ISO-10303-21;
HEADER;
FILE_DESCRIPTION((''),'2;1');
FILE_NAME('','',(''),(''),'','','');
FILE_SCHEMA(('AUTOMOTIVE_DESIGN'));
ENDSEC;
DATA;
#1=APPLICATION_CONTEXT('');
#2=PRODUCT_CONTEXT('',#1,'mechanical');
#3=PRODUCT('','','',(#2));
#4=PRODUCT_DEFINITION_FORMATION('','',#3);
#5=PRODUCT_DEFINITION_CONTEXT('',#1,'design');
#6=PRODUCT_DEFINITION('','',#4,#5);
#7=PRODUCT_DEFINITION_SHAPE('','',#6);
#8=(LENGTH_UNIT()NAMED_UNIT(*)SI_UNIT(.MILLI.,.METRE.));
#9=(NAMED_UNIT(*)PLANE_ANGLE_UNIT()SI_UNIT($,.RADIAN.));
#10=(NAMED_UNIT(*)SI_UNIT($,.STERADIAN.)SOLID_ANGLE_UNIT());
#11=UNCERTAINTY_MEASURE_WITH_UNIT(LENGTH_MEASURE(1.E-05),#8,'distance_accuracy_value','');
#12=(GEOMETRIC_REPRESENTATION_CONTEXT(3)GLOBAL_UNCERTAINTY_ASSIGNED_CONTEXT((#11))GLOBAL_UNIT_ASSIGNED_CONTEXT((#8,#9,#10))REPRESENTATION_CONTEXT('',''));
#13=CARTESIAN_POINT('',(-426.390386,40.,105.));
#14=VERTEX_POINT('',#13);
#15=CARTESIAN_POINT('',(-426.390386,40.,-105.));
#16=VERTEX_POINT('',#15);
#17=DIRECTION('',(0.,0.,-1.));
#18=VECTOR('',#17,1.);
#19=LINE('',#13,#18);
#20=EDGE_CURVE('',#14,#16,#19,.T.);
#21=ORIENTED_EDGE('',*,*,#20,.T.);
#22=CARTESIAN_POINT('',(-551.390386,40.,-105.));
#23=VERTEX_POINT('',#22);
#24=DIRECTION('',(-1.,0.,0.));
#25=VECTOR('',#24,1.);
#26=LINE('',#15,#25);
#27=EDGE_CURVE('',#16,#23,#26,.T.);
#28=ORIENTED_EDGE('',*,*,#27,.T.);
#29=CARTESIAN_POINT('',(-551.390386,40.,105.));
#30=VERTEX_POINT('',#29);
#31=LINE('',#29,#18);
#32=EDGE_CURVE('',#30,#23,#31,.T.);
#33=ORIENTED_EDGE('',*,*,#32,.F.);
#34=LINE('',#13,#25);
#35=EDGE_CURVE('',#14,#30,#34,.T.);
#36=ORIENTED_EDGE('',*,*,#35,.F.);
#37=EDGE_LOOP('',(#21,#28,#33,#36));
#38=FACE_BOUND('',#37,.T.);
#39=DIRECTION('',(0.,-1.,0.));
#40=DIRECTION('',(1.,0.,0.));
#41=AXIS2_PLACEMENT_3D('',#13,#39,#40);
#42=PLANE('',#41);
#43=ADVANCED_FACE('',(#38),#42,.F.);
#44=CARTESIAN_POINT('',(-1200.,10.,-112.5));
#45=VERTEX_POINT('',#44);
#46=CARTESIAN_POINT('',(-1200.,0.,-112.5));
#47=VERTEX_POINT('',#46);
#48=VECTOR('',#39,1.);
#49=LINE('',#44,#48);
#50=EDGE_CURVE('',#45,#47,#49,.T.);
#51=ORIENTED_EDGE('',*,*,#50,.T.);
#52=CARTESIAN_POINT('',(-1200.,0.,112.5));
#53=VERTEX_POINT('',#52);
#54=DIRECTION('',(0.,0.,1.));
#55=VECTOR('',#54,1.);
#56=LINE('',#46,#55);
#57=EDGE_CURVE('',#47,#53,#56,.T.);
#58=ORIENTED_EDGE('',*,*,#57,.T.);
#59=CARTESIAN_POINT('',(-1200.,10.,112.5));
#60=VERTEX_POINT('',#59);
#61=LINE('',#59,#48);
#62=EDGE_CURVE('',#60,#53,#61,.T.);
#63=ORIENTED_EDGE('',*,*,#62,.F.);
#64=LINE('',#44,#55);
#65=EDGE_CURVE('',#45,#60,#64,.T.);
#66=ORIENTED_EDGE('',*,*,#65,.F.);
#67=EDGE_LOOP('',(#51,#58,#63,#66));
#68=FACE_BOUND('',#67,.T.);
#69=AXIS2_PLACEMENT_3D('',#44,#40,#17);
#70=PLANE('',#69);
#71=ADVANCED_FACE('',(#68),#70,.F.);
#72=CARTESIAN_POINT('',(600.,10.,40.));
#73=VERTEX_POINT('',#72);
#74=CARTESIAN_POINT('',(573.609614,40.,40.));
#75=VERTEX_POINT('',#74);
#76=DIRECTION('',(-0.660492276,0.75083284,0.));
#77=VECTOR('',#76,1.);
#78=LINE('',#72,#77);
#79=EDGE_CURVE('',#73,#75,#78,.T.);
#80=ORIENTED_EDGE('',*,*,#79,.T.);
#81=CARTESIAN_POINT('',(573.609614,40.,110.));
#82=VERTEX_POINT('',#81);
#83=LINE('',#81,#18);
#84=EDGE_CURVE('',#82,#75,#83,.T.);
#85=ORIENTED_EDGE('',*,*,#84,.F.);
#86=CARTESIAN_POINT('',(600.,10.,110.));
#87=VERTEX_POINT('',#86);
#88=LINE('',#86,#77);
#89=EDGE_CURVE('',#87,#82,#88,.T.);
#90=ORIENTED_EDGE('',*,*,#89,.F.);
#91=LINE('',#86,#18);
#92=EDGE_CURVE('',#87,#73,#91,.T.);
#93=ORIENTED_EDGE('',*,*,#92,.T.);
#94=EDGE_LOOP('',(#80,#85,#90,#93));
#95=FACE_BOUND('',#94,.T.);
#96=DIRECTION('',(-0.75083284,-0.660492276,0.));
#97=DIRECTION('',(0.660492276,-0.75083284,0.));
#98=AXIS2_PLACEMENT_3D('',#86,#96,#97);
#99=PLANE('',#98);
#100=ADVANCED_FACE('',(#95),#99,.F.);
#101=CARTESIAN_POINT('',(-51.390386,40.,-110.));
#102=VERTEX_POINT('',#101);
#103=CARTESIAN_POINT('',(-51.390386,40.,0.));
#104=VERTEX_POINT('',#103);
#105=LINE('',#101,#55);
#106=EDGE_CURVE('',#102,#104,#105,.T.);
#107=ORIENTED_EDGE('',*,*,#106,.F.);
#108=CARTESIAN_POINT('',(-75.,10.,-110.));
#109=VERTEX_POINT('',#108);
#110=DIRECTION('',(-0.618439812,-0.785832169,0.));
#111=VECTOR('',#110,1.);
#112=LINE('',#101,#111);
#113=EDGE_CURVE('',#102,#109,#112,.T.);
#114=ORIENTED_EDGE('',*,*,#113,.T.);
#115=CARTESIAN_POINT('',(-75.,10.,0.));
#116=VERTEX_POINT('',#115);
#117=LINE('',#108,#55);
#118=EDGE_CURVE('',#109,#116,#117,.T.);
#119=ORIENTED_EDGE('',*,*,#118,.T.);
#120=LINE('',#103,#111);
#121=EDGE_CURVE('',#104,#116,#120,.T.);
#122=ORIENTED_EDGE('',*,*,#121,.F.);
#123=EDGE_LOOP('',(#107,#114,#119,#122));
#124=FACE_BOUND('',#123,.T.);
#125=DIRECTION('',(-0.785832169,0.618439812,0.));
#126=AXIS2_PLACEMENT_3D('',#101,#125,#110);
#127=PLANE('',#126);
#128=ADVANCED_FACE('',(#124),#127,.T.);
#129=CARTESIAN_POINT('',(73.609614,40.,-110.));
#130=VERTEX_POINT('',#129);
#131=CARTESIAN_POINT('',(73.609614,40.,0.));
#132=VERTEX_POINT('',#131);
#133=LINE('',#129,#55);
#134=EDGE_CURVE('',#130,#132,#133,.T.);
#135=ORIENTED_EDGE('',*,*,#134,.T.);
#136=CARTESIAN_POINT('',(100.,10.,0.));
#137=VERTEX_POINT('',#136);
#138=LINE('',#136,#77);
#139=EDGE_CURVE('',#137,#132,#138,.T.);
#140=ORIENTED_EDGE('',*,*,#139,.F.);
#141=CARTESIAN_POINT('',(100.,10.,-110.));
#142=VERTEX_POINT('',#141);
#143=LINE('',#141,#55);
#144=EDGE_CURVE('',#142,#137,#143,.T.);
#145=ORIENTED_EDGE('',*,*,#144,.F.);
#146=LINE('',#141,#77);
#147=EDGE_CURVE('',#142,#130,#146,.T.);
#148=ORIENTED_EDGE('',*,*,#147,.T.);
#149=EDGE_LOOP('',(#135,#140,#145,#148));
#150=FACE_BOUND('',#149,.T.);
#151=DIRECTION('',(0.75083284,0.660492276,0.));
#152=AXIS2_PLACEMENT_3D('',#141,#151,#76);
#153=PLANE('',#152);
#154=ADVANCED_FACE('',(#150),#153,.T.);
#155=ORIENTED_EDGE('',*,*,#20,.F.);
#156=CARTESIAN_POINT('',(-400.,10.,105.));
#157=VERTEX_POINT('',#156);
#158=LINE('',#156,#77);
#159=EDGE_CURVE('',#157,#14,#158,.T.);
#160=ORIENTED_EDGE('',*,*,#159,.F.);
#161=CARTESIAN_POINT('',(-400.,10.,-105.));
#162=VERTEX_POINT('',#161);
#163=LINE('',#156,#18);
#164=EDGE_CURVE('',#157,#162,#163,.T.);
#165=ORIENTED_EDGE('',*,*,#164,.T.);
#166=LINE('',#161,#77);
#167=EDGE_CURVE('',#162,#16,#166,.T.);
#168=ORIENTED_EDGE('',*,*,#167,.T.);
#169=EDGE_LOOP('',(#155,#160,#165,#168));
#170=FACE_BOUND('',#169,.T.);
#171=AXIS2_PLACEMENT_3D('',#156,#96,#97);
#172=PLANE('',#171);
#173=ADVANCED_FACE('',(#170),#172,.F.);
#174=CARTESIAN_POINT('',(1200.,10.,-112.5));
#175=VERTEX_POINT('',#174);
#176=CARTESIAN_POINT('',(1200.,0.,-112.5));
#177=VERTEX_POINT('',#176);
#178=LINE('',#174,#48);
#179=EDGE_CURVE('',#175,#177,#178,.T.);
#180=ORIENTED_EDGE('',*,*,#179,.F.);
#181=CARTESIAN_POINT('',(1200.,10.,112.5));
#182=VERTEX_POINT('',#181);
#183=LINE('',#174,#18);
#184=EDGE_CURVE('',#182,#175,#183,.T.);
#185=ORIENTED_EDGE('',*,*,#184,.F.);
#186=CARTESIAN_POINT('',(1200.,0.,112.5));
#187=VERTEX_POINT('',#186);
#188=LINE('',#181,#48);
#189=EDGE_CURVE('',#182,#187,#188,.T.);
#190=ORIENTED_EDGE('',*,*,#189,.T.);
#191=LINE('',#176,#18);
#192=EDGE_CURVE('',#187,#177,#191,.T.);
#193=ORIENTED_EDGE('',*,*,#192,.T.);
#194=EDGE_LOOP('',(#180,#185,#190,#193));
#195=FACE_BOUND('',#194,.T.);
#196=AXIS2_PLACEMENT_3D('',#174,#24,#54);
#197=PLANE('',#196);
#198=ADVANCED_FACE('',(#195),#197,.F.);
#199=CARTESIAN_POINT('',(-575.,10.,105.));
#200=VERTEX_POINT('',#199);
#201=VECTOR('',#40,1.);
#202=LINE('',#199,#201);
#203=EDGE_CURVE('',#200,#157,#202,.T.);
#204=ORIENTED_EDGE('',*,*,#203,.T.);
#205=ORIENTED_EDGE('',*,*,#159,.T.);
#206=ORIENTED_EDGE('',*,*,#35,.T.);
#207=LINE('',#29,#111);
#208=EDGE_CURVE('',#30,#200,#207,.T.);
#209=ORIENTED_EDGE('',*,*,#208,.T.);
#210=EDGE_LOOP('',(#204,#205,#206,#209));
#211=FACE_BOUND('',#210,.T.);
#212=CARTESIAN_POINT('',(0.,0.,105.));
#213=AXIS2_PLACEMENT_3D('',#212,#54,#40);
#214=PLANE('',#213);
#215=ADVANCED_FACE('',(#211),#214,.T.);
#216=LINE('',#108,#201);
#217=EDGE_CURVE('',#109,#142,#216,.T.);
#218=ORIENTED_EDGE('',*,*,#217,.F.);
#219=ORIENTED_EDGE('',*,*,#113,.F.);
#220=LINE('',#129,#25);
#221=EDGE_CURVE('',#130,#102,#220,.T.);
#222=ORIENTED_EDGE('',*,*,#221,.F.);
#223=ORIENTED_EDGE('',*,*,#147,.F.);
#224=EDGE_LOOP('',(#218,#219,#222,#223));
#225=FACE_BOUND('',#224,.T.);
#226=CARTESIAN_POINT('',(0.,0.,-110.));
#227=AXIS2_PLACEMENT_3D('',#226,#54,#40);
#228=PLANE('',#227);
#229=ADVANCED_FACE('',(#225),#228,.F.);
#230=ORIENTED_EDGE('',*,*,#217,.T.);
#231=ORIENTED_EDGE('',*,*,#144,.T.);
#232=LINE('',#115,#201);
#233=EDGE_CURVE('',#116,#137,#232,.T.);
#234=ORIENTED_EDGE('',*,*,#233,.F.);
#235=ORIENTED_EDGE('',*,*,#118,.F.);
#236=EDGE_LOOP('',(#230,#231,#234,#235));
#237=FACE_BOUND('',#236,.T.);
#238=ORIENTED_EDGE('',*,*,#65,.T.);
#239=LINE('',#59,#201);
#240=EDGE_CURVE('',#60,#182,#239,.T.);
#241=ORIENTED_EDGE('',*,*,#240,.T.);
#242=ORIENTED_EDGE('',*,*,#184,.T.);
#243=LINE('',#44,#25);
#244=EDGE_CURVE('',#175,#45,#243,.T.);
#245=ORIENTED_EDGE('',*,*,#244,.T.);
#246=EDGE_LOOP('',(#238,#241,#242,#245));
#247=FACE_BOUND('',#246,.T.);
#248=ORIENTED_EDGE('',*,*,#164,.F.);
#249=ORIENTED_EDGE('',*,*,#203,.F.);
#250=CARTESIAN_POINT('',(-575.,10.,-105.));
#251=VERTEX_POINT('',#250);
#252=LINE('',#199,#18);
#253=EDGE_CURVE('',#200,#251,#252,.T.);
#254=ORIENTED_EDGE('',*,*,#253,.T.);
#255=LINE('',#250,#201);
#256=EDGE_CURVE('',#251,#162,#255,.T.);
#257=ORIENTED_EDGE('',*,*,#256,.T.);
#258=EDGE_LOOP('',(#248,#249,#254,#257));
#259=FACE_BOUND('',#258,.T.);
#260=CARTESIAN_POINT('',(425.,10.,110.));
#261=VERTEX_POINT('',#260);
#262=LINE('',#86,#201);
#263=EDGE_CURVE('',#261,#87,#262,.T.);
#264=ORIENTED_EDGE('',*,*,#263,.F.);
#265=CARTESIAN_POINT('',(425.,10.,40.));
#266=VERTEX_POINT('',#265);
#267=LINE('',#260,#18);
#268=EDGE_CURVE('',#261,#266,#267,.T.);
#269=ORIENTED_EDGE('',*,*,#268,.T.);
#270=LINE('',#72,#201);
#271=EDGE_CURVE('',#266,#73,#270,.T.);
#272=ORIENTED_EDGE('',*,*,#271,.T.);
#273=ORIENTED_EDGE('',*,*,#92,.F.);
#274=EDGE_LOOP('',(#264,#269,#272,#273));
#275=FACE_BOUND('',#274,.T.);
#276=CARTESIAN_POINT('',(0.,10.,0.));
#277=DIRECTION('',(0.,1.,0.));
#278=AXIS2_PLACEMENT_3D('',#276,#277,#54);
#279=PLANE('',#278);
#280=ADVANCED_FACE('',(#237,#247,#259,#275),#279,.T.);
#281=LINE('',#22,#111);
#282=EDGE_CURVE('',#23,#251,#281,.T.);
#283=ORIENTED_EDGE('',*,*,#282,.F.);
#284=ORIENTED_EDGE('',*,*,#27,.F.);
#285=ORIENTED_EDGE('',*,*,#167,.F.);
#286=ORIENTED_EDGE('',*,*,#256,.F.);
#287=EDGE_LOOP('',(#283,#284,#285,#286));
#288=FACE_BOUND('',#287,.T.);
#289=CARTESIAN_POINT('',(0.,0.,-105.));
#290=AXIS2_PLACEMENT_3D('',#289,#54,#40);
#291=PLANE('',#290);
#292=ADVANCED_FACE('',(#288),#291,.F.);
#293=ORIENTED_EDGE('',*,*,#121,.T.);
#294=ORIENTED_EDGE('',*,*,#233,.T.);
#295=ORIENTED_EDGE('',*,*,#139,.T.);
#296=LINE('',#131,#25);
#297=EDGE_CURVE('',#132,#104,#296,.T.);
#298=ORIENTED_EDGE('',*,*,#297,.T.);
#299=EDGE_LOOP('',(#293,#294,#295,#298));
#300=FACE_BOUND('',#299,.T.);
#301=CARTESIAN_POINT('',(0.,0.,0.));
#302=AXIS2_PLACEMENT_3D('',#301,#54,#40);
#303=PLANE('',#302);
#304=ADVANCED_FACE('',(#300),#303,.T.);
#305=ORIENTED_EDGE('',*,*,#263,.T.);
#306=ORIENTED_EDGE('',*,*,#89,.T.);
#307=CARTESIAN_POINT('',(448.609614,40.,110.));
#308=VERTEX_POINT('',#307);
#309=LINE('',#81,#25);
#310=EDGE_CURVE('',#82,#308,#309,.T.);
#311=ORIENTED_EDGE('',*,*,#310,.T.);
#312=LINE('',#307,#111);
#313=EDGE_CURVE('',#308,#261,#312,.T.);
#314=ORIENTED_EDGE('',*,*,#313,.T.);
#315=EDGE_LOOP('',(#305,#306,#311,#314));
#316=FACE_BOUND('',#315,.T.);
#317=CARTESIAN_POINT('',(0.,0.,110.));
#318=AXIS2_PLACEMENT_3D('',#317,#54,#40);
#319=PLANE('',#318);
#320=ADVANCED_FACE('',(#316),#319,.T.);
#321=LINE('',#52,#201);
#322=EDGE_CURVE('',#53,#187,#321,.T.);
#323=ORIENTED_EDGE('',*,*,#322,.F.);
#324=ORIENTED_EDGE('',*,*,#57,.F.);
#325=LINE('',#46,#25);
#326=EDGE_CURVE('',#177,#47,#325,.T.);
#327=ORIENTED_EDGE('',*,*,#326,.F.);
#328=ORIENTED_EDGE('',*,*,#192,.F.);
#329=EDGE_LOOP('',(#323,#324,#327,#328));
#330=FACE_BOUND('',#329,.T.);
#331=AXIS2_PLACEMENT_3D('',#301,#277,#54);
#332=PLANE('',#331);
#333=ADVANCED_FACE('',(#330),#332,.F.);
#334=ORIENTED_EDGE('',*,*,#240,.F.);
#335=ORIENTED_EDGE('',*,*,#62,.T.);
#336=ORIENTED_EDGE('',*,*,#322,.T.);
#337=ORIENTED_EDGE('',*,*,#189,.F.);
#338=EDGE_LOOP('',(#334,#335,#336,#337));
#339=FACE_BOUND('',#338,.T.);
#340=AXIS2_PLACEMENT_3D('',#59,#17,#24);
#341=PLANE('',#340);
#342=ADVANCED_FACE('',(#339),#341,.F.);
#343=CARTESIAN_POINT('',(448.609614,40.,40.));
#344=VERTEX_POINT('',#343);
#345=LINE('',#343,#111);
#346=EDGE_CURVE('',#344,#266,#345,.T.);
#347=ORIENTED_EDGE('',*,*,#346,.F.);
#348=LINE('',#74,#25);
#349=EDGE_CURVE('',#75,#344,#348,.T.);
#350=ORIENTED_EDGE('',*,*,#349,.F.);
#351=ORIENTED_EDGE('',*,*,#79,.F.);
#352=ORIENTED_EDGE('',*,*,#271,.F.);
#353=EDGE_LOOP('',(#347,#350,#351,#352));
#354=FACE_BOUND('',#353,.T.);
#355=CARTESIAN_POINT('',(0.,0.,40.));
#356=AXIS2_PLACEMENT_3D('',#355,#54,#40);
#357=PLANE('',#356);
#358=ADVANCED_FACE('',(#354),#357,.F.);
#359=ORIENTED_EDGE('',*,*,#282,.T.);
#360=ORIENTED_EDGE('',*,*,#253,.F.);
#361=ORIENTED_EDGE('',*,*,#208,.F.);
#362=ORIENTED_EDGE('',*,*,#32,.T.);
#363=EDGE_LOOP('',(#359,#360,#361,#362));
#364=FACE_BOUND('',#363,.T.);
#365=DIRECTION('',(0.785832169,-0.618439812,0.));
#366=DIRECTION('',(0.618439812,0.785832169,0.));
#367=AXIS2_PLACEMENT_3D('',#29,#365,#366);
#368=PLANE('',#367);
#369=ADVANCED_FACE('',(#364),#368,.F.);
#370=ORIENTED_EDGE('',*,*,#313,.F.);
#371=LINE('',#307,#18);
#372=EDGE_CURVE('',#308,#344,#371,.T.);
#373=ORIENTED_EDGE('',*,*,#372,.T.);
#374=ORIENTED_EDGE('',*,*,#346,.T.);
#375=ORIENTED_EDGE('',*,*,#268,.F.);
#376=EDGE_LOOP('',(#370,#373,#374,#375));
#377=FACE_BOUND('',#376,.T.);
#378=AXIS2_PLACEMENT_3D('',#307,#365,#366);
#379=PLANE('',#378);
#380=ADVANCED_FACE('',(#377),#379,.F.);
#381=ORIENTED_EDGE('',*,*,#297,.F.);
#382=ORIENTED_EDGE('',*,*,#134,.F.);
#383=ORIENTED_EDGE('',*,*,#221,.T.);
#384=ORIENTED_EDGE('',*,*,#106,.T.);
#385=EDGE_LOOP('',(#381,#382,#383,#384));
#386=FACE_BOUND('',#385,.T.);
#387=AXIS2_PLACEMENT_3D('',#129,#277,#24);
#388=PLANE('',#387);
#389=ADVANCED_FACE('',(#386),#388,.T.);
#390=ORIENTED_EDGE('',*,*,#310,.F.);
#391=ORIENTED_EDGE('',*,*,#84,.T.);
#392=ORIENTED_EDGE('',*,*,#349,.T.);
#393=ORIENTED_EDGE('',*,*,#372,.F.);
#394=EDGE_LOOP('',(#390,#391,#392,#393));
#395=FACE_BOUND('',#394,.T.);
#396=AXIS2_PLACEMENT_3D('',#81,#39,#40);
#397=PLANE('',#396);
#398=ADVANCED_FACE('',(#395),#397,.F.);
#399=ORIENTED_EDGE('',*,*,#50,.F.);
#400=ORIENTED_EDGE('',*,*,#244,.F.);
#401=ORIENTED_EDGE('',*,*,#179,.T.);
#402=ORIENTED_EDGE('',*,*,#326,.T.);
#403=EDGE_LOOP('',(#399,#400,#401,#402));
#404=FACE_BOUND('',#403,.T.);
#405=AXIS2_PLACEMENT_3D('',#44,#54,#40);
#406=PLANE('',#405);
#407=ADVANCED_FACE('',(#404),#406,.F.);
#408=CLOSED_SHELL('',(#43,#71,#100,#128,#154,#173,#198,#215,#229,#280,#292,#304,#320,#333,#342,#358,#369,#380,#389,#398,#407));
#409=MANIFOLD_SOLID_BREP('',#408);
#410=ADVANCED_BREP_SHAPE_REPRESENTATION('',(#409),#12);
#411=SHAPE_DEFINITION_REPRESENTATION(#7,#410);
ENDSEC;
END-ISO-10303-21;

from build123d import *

# Parameters (mm, degrees)
SKETCH1_W           = 2400
SKETCH1_H           = 225
BOSS_EXTRUDE1_DEPTH = 10
BOSS_EXTRUDE2_START = 40
BOSS_EXTRUDE2_DEPTH = 70
BOSS_EXTRUDE5_DEPTH = 110
BOSS_EXTRUDE6_DEPTH = 105


with BuildPart() as part:
    # Sketch1 → Boss-Extrude1 (new body)
    with BuildSketch(Plane(origin=(0, 0, 0), x_dir=(1, 0, 0), z_dir=(0, 1, 0))):
        Rectangle(SKETCH1_W, SKETCH1_H)
    extrude(amount=BOSS_EXTRUDE1_DEPTH)

    # Sketch4 → Boss-Extrude2 (add)
    with BuildSketch(Plane.XY.offset(BOSS_EXTRUDE2_START)):
        Polygon((600, 10), (425, 10), (448.609614239, 40), (573.609614239, 40), align=None)
    extrude(amount=BOSS_EXTRUDE2_DEPTH)

    # Sketch10 → Boss-Extrude5 (add)
    with BuildSketch(Plane.XY):
        Polygon((-75, 10), (100, 10), (73.609614239, 40), (-51.390385761, 40), align=None)
    extrude(amount=-BOSS_EXTRUDE5_DEPTH)

    # Sketch11 → Boss-Extrude6 (add, symmetric)
    with BuildSketch(Plane.XY):
        Polygon((-575, 10), (-400, 10), (-426.390385761, 40), (-551.390385761, 40), align=None)
    extrude(amount=BOSS_EXTRUDE6_DEPTH, both=True)


solid = part.part
